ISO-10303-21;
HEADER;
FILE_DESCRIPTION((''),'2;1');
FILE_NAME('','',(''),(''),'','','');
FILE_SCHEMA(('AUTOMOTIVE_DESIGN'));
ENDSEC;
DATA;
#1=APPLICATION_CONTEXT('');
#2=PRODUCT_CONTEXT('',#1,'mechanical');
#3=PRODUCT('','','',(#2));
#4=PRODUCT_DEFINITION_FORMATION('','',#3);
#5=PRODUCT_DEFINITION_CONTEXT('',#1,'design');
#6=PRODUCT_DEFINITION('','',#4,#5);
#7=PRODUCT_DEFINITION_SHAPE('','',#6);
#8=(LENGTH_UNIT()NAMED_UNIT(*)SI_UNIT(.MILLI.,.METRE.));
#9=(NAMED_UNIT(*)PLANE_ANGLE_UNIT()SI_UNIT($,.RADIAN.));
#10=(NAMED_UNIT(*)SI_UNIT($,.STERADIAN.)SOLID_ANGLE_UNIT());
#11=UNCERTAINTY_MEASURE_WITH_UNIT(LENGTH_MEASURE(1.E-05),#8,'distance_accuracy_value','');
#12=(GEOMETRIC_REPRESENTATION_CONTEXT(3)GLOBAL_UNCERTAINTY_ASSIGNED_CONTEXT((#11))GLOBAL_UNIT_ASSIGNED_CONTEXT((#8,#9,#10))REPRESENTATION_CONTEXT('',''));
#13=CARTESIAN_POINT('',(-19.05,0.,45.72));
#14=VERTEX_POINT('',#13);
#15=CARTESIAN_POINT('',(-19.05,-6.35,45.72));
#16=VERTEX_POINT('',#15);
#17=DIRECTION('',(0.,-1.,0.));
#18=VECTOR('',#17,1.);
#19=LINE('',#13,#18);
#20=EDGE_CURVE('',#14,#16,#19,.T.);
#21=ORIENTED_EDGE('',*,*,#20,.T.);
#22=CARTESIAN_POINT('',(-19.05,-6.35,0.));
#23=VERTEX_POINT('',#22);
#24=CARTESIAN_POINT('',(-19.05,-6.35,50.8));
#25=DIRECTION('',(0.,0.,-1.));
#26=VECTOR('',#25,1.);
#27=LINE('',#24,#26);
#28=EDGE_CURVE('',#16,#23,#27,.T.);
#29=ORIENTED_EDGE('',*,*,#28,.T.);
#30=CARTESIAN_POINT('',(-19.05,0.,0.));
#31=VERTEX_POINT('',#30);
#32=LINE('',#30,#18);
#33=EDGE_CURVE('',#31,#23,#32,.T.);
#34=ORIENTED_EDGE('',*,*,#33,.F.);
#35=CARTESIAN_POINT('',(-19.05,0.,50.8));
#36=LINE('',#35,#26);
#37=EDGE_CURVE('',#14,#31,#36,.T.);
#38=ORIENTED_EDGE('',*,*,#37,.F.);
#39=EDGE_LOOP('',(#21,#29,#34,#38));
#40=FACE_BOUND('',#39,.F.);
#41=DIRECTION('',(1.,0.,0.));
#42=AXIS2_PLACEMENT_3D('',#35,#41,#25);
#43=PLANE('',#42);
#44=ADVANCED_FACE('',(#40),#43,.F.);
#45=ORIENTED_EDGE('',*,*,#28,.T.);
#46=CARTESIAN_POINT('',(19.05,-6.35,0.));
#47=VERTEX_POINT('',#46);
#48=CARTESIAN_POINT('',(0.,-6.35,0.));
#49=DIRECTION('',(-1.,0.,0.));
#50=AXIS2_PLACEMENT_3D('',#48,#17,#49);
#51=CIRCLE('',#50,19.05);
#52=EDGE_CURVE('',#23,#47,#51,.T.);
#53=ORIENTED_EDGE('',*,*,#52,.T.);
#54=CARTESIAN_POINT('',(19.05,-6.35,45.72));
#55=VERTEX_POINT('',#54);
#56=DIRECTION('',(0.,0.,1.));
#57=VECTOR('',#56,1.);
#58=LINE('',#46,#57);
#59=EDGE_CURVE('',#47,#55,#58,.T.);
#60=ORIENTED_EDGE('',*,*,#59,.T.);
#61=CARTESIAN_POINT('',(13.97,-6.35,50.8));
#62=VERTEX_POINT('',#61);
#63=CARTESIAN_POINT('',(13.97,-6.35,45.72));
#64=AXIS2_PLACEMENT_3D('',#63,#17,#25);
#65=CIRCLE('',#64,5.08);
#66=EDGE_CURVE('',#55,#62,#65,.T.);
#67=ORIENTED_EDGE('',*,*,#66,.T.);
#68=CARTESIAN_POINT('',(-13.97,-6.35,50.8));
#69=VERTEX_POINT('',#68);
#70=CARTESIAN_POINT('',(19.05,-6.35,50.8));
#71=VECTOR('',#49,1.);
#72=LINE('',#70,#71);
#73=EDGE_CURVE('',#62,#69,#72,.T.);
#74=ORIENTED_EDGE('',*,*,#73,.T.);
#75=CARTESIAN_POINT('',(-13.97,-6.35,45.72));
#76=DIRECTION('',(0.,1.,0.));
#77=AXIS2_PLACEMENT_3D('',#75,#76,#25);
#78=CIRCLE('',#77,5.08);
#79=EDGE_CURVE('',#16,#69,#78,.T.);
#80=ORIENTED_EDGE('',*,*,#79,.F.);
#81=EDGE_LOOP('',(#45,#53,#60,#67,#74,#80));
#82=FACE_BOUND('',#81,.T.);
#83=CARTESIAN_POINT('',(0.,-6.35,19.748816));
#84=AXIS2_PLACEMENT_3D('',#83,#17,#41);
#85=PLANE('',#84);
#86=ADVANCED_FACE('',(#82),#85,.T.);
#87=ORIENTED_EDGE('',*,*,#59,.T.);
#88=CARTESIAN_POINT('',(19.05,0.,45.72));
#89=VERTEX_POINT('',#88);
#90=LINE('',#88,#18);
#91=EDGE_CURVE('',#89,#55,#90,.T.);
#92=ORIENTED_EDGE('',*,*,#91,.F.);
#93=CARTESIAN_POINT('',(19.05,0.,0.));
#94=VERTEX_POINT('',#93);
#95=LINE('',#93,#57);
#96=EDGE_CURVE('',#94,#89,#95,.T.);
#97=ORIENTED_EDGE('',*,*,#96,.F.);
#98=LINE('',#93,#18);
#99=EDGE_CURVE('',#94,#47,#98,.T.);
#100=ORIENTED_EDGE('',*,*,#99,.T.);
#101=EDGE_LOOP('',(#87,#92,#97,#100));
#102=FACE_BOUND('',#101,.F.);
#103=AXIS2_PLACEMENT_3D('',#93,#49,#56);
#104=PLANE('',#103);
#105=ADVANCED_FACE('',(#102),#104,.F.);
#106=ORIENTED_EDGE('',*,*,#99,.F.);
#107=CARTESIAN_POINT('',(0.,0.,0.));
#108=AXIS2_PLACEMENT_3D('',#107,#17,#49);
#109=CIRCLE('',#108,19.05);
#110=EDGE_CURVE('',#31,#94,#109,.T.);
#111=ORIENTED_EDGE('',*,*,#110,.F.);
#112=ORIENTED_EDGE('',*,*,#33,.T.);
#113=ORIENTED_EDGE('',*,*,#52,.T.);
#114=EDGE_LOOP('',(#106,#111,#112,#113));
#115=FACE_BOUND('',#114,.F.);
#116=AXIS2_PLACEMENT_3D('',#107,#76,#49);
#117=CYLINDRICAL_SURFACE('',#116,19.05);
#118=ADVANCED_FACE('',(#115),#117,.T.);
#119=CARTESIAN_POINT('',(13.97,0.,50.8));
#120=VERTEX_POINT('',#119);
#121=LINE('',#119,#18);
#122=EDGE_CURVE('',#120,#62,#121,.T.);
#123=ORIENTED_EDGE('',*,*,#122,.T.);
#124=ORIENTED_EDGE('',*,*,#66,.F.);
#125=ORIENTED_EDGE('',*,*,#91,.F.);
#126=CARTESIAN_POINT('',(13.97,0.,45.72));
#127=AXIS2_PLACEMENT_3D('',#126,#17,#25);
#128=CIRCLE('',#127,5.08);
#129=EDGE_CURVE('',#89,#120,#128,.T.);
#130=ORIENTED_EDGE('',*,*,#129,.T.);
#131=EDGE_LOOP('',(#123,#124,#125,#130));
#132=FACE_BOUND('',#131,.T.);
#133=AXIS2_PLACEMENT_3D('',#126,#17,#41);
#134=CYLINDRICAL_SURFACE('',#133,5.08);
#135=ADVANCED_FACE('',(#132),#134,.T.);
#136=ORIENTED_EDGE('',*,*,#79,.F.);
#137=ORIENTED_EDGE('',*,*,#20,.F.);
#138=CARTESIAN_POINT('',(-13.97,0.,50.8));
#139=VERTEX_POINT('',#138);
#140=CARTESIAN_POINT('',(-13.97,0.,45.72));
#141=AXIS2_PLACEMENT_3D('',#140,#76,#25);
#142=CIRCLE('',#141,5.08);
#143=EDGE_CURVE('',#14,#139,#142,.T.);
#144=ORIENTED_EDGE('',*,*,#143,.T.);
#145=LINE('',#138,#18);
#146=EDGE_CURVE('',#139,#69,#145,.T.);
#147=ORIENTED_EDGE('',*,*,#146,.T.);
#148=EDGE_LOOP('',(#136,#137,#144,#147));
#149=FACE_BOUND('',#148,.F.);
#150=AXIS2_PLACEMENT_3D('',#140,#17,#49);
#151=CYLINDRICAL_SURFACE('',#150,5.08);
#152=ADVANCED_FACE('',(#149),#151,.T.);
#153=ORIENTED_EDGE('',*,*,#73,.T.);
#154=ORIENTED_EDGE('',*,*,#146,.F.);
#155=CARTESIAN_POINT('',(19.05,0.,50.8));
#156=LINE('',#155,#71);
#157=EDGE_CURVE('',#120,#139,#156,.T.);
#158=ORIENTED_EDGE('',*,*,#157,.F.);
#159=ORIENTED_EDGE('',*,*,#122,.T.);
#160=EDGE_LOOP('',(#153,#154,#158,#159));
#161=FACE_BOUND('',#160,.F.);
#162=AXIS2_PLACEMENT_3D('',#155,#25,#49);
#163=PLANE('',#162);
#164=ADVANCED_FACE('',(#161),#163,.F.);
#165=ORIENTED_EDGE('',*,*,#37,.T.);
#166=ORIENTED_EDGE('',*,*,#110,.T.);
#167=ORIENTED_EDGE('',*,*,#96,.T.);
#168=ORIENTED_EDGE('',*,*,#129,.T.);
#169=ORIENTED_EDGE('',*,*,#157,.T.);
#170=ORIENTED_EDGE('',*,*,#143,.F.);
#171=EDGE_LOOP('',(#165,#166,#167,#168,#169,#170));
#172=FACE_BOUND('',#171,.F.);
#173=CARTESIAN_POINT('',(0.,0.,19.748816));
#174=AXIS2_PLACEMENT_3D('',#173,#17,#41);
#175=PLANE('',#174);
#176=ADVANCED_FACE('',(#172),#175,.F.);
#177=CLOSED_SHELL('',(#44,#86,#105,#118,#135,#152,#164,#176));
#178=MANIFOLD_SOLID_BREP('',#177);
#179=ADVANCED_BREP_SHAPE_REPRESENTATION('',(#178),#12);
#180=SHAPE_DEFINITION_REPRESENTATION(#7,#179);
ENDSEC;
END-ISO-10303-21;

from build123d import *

# Parameters (mm, degrees)
F1_DEPTH = 6.35
F2_R     = 5.08


with BuildPart() as f1:
    # F0 (on Front) → F1 (new body)
    with BuildSketch(Plane.XZ):
        with BuildLine():
            Line((-19.05, 50.8), (-19.05, 0))
            ThreePointArc((-19.05, 0), (0, -19.05), (19.05, 0))
            Line((19.05, 0), (19.05, 50.8))
            Line((19.05, 50.8), (-19.05, 50.8))
        make_face()
    extrude(amount=F1_DEPTH)

    # F2
    f2_edges = [f1.edges().sort_by_distance(p)[0] for p in [
        (19.05, -3.175, 50.8),
        (-19.05, -3.175, 50.8),
    ]]
    fillet(f2_edges, radius=F2_R)


solid = f1.part
